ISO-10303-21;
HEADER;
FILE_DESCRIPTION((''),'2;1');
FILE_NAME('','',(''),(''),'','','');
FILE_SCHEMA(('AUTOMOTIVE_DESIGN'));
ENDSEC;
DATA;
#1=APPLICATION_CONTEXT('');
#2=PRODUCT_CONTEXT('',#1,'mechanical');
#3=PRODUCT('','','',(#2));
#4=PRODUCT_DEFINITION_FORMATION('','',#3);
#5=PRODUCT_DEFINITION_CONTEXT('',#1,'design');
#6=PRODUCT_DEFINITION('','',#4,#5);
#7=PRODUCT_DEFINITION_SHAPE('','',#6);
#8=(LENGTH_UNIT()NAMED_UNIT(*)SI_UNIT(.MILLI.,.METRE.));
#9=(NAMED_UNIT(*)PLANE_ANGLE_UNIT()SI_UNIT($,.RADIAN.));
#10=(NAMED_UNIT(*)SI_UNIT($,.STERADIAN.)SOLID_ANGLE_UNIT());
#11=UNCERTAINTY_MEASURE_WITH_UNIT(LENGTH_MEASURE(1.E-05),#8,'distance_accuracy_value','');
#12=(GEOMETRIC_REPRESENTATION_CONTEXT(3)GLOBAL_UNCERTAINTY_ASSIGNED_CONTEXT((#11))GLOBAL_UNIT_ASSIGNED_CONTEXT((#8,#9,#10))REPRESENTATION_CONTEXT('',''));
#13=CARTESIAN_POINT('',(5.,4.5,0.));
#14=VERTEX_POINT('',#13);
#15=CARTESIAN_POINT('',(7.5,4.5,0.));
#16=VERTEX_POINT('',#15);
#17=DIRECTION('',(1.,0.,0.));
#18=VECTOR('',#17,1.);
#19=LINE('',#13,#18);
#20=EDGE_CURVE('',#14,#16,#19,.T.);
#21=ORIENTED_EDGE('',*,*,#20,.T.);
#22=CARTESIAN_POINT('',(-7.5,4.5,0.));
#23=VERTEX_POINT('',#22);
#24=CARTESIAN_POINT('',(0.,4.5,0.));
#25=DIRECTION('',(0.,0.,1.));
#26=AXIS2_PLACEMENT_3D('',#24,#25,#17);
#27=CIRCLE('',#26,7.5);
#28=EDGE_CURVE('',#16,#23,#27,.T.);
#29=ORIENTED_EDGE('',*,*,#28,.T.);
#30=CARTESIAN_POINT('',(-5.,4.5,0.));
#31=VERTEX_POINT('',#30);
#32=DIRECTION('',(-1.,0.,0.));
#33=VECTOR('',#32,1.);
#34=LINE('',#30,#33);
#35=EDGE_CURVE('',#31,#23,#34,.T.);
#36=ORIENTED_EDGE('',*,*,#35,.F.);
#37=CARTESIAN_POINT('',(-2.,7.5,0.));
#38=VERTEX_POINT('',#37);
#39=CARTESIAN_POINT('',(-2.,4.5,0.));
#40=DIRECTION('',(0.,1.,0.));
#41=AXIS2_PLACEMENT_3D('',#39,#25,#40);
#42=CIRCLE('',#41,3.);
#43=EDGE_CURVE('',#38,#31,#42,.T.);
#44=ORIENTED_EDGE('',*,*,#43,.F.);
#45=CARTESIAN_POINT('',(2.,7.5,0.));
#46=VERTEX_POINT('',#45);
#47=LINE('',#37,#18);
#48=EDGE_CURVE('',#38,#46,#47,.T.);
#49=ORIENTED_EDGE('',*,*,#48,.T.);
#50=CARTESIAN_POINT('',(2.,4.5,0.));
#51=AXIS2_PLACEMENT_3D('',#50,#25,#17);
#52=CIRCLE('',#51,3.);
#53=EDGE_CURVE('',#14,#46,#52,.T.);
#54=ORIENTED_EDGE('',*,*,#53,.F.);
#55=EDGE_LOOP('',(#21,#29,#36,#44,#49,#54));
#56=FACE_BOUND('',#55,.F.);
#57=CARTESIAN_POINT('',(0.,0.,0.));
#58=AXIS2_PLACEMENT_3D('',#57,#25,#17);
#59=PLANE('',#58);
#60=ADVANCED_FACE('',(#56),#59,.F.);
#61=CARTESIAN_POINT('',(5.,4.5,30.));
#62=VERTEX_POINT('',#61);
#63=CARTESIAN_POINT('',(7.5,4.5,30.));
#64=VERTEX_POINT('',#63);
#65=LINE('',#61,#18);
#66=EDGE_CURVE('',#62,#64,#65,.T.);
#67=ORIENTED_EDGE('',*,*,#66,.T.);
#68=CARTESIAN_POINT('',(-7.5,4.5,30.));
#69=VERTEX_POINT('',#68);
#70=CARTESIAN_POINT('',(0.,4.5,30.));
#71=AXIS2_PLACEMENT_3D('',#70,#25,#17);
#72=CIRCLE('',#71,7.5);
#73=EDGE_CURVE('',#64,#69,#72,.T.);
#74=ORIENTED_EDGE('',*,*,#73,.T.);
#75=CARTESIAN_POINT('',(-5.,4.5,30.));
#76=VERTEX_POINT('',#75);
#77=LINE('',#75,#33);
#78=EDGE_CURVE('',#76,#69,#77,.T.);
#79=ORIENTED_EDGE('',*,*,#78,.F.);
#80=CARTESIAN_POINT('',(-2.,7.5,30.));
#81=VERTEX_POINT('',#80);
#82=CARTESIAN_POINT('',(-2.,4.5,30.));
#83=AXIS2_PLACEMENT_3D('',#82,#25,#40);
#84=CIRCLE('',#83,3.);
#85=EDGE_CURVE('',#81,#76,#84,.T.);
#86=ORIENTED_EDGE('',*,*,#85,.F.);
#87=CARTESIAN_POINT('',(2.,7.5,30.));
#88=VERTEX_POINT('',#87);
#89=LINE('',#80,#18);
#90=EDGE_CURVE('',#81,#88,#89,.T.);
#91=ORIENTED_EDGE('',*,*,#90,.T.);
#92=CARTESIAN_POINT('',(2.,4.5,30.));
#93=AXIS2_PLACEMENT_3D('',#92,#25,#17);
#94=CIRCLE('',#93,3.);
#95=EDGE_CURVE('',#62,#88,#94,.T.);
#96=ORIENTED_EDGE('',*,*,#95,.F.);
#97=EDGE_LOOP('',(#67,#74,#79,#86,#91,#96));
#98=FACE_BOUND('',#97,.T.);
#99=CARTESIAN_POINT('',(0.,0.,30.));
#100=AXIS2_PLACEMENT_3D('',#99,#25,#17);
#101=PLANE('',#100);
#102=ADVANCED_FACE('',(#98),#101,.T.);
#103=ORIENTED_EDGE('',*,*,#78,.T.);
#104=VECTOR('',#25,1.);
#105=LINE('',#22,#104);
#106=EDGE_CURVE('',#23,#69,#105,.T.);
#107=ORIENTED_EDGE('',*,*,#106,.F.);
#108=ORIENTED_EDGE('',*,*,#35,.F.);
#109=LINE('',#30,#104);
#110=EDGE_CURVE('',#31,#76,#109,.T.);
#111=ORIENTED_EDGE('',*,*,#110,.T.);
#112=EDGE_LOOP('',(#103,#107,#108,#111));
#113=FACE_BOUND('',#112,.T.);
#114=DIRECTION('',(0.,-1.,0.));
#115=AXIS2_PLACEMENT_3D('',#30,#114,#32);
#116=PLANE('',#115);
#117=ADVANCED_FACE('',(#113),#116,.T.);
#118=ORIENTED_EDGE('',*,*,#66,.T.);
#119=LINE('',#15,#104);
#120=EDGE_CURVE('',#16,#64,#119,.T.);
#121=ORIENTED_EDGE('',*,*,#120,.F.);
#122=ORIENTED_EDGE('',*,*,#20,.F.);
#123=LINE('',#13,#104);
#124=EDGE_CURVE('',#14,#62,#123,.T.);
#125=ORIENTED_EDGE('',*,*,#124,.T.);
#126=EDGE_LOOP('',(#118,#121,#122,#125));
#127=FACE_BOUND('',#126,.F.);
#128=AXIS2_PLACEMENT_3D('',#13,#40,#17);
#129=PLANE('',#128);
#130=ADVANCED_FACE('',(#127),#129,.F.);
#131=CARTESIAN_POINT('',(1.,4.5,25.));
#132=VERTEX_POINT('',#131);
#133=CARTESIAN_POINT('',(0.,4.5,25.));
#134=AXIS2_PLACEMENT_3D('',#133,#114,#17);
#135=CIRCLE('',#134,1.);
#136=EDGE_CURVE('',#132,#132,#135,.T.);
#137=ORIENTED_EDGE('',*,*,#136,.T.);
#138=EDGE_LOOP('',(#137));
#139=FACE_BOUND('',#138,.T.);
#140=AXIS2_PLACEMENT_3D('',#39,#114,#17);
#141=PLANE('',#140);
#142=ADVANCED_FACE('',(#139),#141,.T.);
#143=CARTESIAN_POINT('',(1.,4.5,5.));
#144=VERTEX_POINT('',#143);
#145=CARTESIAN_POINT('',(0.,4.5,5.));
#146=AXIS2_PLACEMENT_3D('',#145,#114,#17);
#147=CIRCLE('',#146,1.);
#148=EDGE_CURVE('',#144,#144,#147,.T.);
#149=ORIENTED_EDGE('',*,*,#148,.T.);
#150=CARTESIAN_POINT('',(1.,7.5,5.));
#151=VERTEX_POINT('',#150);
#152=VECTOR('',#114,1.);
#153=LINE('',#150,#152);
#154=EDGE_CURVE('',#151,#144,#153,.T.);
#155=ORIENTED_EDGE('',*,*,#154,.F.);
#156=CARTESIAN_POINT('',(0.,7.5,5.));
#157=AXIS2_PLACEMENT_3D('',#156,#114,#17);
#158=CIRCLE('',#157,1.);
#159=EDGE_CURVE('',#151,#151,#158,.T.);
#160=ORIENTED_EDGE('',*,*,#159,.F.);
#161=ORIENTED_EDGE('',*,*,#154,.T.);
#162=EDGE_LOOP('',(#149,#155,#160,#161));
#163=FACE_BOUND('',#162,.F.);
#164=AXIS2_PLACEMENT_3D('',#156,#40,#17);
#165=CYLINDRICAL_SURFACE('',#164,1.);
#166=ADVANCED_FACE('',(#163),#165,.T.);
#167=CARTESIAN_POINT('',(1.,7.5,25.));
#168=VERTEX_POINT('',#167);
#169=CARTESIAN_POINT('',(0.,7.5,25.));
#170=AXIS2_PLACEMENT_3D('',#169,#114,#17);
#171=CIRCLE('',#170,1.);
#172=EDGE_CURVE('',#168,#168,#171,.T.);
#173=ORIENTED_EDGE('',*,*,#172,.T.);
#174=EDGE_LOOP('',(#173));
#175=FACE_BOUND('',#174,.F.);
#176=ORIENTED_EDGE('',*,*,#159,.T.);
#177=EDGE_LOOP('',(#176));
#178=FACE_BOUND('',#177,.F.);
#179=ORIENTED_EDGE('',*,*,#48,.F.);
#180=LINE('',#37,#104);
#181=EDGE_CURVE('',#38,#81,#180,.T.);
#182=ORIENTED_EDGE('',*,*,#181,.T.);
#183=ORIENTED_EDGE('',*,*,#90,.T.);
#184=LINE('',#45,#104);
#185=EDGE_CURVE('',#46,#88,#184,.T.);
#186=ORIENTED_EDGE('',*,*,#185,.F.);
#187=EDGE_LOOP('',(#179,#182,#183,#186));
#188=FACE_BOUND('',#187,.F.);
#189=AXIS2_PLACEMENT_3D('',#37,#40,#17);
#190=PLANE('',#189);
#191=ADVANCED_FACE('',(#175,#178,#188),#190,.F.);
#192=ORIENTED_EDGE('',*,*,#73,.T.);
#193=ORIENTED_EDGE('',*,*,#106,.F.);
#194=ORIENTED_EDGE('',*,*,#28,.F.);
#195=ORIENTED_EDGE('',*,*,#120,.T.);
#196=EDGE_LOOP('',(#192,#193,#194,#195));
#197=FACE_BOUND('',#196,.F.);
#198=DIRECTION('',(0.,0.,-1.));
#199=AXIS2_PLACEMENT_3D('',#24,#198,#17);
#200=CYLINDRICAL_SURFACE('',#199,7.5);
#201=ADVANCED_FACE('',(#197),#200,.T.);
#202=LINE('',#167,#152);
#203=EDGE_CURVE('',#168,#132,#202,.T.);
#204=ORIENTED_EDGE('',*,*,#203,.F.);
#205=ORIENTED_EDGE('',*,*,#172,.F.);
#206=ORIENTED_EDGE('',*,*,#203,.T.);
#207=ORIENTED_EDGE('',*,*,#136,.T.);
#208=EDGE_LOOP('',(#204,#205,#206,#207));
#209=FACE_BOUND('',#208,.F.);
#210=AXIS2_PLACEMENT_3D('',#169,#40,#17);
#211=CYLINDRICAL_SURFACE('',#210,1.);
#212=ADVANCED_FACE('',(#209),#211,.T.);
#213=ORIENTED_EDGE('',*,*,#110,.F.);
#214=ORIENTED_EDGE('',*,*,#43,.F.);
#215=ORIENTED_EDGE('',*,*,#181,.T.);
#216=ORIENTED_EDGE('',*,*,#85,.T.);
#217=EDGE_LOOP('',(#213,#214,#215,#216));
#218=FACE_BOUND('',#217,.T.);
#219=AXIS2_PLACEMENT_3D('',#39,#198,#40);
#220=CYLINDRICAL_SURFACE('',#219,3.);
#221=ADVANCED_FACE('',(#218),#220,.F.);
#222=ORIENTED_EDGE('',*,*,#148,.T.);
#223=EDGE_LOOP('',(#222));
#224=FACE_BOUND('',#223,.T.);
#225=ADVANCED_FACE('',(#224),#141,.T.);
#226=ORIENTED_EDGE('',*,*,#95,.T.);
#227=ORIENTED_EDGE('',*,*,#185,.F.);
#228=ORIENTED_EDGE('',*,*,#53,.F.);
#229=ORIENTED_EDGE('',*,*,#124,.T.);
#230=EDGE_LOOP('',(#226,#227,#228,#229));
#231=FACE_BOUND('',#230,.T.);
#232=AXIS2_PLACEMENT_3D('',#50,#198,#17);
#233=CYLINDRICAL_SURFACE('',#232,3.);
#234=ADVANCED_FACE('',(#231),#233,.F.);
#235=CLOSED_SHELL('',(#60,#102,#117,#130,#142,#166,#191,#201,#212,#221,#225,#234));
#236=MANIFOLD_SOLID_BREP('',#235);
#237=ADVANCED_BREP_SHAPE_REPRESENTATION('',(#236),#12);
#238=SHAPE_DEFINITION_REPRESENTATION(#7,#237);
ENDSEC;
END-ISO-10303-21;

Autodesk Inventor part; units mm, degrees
ref_plane "YZ Plane" through (0, 0, 0) normal (1, 0, 0) x (0, 1, 0)
ref_plane "XZ Plane" through (0, 0, 0) normal (0, 1, 0) x (-1, 0, 0)
ref_plane "XY Plane" through (0, 0, 0) normal (0, 0, 1) x (1, 0, 0)
sketch "Sketch1" plane through (0, 0, 0) normal (0, 0, 1) x (1, 0, 0)
  circle A0 centre (0, 4.5) radius 5 construction
  arc A1 (5, 4.5) -> (2, 7.5) centre (2, 4.5) ccw
  line L0 (-2, 7.5) -> (2, 7.5)
  line L1 (-5, 4.5) -> (5, 4.5) construction
  arc A2 (7.5, 4.5) -> (-7.5, 4.5) centre (0, 4.5) ccw
  line L2 (-5, 4.5) -> (-7.5, 4.5)
  line L3 (5, 4.5) -> (7.5, 4.5)
  arc A3 (-2, 7.5) -> (-5, 4.5) centre (-2, 4.5) ccw
  line L4 (0, 0) -> (11.6743, 0) construction
  dimension "d0" = 10
  dimension "d2" = 6
  dimension "d3" = 4
  dimension "d4" = 10
  dimension "d5" = 15
  dimension "d14" = 3
  dimension "d15" = 4.5
extrude "Extrusion1" add sketch "Sketch1" along normal blind 30
sketch "Sketch2" plane through (-2, 7.5, 0) normal (0, -1, 0) x (1, 0, 0)
  circle A0 centre (2, 25) radius 1
  circle A1 centre (2, 5) radius 1
  line L0 (0, 30) -> (4, 30) projected
  line L1 (0, 0) -> (4, 0) projected
  point P0 (2, 0)
  point P1 (2, 0)
  point P2 (2, 0)
  dimension "d8" = 2
  dimension "d9" = 2
  dimension "d10" = 5
  dimension "d11" = 5
extrude "Extrusion2" add sketch "Sketch2" along normal blind 3
properties part number "TPU_FootGrip"
